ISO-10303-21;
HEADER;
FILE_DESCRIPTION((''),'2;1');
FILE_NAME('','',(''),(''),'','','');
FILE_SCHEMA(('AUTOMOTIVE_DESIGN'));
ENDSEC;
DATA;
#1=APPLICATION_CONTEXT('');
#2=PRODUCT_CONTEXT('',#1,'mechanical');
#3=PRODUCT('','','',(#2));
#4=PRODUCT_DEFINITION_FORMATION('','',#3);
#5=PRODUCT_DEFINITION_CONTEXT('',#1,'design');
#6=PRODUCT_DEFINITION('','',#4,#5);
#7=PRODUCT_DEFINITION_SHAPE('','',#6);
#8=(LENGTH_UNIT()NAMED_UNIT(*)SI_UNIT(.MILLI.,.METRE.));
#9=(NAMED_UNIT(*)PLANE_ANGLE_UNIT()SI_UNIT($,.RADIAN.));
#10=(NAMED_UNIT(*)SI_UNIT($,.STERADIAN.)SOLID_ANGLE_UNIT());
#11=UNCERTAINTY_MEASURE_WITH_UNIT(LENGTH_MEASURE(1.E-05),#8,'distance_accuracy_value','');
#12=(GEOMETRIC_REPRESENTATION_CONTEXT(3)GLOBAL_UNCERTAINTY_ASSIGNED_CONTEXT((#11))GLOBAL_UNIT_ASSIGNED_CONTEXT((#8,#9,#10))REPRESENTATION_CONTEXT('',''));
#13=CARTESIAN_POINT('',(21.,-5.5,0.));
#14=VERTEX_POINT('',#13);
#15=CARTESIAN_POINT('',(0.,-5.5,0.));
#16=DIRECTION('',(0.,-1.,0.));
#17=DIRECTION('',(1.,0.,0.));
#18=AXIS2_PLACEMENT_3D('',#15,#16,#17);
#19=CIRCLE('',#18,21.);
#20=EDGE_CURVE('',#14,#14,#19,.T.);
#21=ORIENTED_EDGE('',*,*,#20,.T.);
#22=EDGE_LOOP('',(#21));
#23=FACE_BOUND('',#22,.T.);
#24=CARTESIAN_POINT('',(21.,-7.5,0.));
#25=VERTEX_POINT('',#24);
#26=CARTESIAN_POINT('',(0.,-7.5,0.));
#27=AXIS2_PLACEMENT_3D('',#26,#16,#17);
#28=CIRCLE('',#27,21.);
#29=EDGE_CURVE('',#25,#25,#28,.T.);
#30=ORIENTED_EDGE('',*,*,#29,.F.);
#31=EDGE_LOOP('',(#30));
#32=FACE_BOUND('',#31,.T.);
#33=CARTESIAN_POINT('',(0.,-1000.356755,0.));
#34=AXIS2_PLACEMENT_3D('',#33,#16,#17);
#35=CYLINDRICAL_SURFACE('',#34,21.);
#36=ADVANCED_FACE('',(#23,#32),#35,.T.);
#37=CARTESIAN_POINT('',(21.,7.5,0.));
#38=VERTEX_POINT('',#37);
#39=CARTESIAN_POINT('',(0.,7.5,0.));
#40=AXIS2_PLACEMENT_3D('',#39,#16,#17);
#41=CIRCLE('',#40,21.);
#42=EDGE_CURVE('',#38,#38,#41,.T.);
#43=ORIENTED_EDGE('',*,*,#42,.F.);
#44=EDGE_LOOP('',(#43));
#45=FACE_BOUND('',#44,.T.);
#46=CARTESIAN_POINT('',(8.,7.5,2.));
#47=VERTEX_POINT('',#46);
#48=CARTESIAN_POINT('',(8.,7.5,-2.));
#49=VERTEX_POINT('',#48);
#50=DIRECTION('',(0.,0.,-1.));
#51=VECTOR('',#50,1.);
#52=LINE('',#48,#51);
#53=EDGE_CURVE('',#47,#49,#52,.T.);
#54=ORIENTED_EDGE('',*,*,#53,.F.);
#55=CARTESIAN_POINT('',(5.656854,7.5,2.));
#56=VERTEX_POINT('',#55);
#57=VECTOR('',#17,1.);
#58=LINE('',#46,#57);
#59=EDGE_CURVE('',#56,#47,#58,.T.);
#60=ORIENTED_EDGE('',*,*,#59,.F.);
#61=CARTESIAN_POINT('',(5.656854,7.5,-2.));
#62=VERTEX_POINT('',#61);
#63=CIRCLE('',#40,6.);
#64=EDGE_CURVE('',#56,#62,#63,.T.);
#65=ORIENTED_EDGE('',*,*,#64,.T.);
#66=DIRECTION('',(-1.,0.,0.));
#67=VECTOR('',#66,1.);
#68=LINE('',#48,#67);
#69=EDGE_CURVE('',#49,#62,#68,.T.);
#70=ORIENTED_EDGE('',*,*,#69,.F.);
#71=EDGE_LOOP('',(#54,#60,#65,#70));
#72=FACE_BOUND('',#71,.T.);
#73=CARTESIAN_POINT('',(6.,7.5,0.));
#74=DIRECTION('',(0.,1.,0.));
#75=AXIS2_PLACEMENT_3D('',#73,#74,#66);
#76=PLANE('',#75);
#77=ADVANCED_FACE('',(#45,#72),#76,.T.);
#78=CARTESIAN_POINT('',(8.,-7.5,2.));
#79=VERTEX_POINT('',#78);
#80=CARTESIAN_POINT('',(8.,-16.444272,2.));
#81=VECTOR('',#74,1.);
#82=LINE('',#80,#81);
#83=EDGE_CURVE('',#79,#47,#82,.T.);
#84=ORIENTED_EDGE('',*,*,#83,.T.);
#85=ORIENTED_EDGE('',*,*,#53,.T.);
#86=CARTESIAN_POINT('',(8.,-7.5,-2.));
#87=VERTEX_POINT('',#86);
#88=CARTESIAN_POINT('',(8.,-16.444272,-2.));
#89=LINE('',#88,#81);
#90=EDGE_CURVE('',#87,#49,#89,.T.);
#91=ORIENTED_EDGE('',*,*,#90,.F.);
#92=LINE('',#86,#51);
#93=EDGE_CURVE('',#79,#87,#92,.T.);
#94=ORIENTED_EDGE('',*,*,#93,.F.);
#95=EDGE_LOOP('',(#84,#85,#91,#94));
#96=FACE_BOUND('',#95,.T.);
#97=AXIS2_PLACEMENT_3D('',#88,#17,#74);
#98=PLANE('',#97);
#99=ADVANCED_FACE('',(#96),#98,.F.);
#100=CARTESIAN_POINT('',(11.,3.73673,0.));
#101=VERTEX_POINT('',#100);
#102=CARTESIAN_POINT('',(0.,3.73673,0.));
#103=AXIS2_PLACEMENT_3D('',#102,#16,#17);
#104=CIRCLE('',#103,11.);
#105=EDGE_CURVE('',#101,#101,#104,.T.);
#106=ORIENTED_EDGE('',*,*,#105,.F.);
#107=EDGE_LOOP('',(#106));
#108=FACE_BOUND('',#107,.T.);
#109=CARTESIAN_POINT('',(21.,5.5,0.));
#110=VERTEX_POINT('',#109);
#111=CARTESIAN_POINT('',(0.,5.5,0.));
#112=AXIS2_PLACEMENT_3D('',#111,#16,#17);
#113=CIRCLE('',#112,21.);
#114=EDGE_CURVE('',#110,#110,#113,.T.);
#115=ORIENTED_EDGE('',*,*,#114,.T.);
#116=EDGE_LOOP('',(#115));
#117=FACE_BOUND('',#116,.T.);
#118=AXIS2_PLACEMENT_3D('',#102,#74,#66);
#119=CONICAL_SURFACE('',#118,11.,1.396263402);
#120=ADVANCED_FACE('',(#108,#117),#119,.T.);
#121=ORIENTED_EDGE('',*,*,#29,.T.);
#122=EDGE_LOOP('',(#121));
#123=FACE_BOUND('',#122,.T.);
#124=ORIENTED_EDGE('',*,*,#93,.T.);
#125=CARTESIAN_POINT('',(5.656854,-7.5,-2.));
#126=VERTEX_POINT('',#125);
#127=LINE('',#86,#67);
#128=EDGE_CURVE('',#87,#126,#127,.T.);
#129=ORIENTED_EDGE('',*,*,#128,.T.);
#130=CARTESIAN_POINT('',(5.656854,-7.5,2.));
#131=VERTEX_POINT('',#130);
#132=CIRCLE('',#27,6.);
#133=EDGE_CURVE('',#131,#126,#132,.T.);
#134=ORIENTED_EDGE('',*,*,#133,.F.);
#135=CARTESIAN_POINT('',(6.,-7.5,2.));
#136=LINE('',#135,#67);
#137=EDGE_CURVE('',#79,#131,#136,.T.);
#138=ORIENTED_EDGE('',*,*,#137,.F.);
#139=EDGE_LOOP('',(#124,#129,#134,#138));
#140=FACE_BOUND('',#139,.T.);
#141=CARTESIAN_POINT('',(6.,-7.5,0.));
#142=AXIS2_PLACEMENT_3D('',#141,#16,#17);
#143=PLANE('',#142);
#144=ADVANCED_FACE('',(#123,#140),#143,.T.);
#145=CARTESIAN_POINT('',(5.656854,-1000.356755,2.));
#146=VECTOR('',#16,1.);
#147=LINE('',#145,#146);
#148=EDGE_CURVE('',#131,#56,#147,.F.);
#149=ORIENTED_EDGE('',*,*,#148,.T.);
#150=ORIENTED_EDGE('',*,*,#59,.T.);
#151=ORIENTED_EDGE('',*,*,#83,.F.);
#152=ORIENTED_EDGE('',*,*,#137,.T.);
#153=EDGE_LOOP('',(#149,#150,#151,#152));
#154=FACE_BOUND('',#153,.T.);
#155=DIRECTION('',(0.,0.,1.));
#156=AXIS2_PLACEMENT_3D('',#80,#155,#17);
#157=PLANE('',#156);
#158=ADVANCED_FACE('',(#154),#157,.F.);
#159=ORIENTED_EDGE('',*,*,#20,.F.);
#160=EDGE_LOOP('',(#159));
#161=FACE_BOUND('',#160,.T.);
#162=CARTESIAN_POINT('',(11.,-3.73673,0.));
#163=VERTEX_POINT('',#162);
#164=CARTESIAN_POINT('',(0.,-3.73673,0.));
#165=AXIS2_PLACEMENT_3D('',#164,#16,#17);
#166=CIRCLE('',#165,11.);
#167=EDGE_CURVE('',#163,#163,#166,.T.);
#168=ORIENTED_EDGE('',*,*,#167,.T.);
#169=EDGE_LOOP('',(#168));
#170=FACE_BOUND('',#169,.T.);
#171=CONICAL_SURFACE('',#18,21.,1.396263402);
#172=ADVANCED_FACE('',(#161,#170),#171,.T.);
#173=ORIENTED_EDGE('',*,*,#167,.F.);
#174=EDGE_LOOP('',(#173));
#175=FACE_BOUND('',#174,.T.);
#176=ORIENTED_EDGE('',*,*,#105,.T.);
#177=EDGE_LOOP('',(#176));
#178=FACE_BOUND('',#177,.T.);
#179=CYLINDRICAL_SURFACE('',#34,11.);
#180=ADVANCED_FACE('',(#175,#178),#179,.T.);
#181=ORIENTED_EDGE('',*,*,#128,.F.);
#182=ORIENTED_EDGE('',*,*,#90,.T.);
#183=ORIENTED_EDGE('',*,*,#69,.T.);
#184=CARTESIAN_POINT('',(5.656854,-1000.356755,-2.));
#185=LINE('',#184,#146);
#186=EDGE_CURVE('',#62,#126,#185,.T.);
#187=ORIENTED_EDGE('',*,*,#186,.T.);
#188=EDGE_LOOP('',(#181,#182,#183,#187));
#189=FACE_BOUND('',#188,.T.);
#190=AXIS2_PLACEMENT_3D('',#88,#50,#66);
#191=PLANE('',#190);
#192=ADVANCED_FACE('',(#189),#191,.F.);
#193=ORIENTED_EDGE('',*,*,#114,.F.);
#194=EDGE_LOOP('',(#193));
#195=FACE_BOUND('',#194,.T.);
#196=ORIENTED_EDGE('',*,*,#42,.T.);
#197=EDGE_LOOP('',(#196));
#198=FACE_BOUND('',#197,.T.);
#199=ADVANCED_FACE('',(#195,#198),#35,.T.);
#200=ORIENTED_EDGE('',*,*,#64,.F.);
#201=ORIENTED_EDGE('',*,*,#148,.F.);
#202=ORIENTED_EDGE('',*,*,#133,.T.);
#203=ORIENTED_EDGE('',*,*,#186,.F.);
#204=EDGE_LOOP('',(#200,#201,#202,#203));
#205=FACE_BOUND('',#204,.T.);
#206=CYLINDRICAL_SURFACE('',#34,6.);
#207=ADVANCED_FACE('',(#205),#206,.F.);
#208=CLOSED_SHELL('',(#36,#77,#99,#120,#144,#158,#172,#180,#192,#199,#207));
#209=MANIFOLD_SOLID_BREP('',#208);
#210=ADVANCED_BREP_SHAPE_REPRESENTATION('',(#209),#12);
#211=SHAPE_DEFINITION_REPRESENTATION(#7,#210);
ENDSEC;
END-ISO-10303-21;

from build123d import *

# Parameters (mm, degrees)
SKETCH2_W          = 8
SKETCH2_H          = 4
CUT_EXTRUDE1_DEPTH = 15


with BuildPart() as part:
    # Sketch1 → Revolve1 (revolve)
    with BuildSketch(Plane.XY):
        Polygon((21, 5.5), (11, 3.736730193), (11, -3.736730193), (21, -5.5), (21, -7.5), (6, -7.5), (6, 7.5), (21, 7.5), align=None)
    revolve(axis=Axis((0, -1000.356754562, 0), (0, 1, 0)))

    # Sketch2 → Cut-Extrude1 (cut)
    with BuildSketch(Plane(origin=(0, 7.5, 0), x_dir=(1, 0, 0), z_dir=(0, 1, 0))):
        with Locations((4, 0)):
            Rectangle(SKETCH2_W, SKETCH2_H)
    extrude(amount=-CUT_EXTRUDE1_DEPTH, mode=Mode.SUBTRACT)


solid = part.part
